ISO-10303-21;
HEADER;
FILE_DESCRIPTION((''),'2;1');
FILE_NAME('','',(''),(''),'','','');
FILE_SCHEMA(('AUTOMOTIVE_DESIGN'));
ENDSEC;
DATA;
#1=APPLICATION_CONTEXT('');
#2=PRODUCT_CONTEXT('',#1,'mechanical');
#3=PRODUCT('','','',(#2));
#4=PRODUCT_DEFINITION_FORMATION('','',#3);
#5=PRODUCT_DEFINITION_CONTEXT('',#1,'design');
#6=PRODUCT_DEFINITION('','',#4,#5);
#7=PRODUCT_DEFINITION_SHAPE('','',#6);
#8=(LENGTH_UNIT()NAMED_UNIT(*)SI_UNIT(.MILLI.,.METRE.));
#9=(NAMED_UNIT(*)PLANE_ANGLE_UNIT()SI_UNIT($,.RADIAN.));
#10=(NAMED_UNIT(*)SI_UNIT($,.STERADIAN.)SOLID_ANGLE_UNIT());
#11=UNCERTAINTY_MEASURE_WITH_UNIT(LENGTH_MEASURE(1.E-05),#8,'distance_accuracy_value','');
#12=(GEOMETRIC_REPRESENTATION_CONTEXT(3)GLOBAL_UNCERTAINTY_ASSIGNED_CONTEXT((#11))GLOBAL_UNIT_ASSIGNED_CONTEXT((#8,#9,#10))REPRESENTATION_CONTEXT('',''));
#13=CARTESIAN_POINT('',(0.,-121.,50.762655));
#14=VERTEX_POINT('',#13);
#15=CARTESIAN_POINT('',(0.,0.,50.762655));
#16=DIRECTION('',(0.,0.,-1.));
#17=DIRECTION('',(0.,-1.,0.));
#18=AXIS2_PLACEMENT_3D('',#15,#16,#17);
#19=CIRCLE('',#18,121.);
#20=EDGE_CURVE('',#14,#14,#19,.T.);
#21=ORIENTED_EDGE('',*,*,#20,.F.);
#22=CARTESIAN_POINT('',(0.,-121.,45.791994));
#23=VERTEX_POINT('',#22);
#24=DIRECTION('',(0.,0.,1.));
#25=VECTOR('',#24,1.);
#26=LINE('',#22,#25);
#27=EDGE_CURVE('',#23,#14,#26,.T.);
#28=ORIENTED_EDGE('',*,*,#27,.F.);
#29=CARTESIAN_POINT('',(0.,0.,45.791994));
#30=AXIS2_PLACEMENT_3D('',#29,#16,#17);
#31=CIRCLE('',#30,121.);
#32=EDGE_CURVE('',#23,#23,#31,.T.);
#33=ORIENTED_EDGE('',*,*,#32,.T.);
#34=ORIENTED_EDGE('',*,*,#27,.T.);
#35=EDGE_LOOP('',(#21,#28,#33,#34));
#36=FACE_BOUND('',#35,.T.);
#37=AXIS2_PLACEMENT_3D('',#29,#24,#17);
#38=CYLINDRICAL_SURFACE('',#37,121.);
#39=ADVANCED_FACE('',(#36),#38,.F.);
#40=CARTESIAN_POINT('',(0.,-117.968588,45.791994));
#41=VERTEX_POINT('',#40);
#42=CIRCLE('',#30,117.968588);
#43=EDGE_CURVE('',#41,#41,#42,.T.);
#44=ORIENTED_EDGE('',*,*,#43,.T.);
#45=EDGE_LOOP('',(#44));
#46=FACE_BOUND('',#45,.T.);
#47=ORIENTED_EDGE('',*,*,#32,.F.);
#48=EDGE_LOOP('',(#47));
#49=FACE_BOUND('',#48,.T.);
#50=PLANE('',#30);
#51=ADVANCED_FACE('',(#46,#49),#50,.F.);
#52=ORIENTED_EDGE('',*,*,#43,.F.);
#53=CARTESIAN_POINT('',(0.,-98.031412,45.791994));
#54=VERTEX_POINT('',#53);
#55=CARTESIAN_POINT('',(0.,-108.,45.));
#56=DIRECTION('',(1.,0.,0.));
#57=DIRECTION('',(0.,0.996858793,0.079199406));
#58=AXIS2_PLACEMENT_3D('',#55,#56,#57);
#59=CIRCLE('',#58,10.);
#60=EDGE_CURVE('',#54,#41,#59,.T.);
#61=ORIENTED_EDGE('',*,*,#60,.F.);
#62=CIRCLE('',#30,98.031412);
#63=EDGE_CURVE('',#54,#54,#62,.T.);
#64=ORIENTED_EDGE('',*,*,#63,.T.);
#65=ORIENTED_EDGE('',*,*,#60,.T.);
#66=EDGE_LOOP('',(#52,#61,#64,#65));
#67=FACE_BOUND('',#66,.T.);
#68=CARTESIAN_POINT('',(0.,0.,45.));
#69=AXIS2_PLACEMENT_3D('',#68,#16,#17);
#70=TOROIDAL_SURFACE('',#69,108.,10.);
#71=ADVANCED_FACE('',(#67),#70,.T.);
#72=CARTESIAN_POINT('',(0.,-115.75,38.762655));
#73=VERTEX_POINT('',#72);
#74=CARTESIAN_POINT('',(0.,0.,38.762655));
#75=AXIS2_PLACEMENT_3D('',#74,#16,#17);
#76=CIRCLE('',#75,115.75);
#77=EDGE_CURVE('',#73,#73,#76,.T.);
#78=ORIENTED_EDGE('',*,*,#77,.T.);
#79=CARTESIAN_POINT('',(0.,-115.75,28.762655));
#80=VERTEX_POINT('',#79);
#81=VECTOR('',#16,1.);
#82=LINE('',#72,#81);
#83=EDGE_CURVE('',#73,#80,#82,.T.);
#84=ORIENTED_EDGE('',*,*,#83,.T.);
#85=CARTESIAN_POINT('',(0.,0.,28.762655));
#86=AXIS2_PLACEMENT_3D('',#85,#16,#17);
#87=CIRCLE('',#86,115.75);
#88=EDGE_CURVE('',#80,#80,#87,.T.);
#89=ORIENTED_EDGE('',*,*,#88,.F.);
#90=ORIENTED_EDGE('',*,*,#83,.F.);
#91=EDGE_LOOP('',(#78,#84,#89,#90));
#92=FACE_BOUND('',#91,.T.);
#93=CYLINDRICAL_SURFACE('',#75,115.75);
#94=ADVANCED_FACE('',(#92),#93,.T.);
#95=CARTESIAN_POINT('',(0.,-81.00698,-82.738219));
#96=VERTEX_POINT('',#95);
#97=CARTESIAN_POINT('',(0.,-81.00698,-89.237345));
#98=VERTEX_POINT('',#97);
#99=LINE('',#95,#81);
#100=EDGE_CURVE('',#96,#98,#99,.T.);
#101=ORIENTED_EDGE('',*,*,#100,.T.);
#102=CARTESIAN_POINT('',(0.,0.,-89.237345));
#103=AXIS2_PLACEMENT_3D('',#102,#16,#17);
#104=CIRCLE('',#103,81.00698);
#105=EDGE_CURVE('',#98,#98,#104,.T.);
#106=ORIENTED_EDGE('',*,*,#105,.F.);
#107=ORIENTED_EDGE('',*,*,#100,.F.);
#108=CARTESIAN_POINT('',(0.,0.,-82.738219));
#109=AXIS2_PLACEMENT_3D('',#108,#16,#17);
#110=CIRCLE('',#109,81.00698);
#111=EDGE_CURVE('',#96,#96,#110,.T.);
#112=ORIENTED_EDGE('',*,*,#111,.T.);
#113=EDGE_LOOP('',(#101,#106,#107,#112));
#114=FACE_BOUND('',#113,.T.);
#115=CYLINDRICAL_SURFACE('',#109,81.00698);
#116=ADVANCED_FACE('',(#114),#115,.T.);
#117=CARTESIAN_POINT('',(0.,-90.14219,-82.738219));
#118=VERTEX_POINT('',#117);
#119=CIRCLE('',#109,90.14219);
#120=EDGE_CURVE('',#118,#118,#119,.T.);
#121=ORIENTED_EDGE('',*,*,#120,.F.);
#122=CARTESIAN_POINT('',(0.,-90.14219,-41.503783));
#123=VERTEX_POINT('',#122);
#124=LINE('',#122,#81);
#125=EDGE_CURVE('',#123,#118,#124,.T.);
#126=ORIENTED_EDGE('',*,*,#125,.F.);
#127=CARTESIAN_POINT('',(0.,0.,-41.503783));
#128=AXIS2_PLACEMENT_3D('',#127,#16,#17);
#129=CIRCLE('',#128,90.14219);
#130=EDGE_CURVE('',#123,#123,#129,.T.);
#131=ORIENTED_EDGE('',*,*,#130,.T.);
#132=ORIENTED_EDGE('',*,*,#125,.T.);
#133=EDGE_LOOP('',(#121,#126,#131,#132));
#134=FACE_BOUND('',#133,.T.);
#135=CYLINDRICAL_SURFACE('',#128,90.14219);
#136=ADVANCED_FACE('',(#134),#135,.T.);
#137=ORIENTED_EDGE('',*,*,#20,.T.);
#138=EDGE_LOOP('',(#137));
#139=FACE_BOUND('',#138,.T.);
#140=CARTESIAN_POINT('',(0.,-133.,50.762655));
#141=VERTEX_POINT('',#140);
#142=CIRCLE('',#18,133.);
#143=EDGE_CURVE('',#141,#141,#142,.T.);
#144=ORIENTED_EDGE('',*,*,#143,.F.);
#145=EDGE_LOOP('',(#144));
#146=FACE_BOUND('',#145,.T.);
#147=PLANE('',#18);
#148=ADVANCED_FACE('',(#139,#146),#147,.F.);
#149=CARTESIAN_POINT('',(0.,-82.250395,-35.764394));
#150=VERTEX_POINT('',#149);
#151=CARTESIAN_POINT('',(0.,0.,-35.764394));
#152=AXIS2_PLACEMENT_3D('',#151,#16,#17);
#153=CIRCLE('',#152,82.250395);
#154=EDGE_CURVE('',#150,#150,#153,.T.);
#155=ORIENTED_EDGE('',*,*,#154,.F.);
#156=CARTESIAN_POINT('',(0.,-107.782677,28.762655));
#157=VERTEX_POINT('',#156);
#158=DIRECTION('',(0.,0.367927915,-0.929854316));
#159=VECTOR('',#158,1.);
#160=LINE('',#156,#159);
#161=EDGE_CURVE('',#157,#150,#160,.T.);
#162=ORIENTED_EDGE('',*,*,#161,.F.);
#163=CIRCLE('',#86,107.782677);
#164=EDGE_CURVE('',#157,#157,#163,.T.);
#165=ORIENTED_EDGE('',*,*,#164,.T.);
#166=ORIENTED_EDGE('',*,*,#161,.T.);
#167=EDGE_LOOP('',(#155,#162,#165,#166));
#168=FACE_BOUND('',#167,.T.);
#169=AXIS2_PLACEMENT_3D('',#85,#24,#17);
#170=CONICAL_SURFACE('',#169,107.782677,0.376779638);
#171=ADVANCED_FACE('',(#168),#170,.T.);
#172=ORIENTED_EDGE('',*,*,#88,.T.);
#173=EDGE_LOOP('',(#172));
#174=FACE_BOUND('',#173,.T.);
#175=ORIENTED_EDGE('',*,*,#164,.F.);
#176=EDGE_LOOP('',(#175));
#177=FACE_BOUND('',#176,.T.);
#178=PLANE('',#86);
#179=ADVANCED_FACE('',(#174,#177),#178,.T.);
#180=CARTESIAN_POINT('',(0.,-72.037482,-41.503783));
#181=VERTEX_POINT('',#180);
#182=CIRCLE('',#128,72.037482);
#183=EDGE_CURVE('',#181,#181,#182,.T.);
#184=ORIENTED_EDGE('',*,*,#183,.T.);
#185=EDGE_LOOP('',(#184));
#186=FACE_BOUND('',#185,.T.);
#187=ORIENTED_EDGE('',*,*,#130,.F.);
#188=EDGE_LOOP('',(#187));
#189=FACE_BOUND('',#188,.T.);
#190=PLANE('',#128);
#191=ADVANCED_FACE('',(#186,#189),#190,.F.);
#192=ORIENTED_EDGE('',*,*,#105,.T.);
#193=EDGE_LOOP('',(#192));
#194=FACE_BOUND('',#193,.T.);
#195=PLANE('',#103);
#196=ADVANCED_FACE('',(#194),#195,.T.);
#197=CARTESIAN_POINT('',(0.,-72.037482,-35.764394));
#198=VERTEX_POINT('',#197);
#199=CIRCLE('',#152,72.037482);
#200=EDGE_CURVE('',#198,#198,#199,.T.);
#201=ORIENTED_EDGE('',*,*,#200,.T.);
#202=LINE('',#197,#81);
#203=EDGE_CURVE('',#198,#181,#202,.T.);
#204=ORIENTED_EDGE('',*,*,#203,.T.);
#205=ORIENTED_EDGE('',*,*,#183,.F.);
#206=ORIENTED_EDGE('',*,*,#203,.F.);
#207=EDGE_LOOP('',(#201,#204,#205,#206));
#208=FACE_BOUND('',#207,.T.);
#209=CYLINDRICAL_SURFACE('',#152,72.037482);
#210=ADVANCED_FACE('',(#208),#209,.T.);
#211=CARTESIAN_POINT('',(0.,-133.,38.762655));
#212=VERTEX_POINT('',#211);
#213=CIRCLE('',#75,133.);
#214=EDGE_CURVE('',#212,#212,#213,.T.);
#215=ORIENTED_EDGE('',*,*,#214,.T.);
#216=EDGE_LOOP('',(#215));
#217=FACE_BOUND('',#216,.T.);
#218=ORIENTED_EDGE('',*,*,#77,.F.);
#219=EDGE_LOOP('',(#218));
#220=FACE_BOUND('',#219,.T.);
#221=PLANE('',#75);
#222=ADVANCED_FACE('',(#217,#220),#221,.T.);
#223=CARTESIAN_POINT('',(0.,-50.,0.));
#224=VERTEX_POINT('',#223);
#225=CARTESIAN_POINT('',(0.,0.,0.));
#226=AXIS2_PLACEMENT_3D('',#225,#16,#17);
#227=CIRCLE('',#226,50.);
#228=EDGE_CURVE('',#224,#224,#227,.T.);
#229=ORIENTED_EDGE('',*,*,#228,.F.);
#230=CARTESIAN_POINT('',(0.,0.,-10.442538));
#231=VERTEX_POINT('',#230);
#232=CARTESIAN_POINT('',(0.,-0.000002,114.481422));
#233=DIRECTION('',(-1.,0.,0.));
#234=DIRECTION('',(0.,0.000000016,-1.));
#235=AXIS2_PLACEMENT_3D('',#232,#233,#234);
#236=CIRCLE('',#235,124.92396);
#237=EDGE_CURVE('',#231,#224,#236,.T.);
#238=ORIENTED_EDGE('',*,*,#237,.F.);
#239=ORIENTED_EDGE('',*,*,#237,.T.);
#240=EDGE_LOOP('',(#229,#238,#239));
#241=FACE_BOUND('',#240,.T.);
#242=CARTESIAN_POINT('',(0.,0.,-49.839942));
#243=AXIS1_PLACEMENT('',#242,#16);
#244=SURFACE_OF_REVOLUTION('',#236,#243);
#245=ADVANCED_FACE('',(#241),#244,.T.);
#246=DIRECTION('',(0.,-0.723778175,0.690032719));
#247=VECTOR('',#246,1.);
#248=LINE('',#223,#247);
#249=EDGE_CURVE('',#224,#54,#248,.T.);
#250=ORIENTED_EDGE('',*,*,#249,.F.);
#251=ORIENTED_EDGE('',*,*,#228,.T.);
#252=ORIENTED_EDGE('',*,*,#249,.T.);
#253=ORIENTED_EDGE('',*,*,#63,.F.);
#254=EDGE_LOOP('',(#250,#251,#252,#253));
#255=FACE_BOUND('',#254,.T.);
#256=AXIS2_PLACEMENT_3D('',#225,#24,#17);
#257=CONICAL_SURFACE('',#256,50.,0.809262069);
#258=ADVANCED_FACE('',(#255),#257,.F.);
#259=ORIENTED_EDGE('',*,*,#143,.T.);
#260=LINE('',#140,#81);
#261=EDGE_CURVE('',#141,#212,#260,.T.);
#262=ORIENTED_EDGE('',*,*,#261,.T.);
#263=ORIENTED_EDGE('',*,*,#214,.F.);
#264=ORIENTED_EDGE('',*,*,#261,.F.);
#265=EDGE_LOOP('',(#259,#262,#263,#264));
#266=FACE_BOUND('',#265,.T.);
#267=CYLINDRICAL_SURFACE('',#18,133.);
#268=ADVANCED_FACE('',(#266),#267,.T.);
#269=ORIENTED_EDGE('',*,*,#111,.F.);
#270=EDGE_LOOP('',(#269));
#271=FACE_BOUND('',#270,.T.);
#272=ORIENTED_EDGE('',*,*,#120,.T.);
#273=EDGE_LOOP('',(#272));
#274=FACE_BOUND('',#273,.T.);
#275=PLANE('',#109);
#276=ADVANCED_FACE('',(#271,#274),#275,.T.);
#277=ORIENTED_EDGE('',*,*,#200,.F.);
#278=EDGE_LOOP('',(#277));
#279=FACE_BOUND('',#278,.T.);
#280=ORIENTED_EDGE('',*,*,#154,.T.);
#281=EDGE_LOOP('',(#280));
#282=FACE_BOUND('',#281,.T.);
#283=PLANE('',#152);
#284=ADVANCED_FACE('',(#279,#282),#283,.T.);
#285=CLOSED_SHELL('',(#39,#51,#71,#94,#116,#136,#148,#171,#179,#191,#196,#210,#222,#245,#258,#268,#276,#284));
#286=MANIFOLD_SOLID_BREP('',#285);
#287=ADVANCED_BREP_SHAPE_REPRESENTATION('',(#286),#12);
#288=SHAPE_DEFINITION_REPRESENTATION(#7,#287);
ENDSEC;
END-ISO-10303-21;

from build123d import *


with BuildPart() as f1:
    # F0 (on Right) → F1 (revolve)
    with BuildSketch(Plane.YZ):
        with BuildLine():
            Line((0, -89.237345), (0, -10.442538))
            ThreePointArc((0, -10.442538), (-25.539414, -7.80404), (-50, 0))
            Line((-50, 0), (-98.031412, 45.791994))
            ThreePointArc((-98.031412, 45.791994), (-108, 55), (-117.968588, 45.791994))
            Line((-117.968588, 45.791994), (-121, 45.791994))
            Line((-121, 45.791994), (-121, 50.762655))
            Line((-121, 50.762655), (-133, 50.762655))
            Line((-133, 50.762655), (-133, 38.762655))
            Line((-133, 38.762655), (-115.75, 38.762655))
            Line((-115.75, 38.762655), (-115.75, 28.762655))
            Line((-115.75, 28.762655), (-107.782677, 28.762655))
            Line((-107.782677, 28.762655), (-82.250395, -35.764394))
            Line((-82.250395, -35.764394), (-72.037482, -35.764394))
            Line((-72.037482, -35.764394), (-72.037482, -41.503783))
            Line((-72.037482, -41.503783), (-90.14219, -41.503783))
            Line((-90.14219, -41.503783), (-90.14219, -82.738219))
            Line((-90.14219, -82.738219), (-81.00698, -82.738219))
            Line((-81.00698, -82.738219), (-81.00698, -89.237345))
            Line((-81.00698, -89.237345), (0, -89.237345))
        make_face()
    revolve(axis=Axis((0, 0, -49.839942), (0, 0, -1)))


solid = f1.part
